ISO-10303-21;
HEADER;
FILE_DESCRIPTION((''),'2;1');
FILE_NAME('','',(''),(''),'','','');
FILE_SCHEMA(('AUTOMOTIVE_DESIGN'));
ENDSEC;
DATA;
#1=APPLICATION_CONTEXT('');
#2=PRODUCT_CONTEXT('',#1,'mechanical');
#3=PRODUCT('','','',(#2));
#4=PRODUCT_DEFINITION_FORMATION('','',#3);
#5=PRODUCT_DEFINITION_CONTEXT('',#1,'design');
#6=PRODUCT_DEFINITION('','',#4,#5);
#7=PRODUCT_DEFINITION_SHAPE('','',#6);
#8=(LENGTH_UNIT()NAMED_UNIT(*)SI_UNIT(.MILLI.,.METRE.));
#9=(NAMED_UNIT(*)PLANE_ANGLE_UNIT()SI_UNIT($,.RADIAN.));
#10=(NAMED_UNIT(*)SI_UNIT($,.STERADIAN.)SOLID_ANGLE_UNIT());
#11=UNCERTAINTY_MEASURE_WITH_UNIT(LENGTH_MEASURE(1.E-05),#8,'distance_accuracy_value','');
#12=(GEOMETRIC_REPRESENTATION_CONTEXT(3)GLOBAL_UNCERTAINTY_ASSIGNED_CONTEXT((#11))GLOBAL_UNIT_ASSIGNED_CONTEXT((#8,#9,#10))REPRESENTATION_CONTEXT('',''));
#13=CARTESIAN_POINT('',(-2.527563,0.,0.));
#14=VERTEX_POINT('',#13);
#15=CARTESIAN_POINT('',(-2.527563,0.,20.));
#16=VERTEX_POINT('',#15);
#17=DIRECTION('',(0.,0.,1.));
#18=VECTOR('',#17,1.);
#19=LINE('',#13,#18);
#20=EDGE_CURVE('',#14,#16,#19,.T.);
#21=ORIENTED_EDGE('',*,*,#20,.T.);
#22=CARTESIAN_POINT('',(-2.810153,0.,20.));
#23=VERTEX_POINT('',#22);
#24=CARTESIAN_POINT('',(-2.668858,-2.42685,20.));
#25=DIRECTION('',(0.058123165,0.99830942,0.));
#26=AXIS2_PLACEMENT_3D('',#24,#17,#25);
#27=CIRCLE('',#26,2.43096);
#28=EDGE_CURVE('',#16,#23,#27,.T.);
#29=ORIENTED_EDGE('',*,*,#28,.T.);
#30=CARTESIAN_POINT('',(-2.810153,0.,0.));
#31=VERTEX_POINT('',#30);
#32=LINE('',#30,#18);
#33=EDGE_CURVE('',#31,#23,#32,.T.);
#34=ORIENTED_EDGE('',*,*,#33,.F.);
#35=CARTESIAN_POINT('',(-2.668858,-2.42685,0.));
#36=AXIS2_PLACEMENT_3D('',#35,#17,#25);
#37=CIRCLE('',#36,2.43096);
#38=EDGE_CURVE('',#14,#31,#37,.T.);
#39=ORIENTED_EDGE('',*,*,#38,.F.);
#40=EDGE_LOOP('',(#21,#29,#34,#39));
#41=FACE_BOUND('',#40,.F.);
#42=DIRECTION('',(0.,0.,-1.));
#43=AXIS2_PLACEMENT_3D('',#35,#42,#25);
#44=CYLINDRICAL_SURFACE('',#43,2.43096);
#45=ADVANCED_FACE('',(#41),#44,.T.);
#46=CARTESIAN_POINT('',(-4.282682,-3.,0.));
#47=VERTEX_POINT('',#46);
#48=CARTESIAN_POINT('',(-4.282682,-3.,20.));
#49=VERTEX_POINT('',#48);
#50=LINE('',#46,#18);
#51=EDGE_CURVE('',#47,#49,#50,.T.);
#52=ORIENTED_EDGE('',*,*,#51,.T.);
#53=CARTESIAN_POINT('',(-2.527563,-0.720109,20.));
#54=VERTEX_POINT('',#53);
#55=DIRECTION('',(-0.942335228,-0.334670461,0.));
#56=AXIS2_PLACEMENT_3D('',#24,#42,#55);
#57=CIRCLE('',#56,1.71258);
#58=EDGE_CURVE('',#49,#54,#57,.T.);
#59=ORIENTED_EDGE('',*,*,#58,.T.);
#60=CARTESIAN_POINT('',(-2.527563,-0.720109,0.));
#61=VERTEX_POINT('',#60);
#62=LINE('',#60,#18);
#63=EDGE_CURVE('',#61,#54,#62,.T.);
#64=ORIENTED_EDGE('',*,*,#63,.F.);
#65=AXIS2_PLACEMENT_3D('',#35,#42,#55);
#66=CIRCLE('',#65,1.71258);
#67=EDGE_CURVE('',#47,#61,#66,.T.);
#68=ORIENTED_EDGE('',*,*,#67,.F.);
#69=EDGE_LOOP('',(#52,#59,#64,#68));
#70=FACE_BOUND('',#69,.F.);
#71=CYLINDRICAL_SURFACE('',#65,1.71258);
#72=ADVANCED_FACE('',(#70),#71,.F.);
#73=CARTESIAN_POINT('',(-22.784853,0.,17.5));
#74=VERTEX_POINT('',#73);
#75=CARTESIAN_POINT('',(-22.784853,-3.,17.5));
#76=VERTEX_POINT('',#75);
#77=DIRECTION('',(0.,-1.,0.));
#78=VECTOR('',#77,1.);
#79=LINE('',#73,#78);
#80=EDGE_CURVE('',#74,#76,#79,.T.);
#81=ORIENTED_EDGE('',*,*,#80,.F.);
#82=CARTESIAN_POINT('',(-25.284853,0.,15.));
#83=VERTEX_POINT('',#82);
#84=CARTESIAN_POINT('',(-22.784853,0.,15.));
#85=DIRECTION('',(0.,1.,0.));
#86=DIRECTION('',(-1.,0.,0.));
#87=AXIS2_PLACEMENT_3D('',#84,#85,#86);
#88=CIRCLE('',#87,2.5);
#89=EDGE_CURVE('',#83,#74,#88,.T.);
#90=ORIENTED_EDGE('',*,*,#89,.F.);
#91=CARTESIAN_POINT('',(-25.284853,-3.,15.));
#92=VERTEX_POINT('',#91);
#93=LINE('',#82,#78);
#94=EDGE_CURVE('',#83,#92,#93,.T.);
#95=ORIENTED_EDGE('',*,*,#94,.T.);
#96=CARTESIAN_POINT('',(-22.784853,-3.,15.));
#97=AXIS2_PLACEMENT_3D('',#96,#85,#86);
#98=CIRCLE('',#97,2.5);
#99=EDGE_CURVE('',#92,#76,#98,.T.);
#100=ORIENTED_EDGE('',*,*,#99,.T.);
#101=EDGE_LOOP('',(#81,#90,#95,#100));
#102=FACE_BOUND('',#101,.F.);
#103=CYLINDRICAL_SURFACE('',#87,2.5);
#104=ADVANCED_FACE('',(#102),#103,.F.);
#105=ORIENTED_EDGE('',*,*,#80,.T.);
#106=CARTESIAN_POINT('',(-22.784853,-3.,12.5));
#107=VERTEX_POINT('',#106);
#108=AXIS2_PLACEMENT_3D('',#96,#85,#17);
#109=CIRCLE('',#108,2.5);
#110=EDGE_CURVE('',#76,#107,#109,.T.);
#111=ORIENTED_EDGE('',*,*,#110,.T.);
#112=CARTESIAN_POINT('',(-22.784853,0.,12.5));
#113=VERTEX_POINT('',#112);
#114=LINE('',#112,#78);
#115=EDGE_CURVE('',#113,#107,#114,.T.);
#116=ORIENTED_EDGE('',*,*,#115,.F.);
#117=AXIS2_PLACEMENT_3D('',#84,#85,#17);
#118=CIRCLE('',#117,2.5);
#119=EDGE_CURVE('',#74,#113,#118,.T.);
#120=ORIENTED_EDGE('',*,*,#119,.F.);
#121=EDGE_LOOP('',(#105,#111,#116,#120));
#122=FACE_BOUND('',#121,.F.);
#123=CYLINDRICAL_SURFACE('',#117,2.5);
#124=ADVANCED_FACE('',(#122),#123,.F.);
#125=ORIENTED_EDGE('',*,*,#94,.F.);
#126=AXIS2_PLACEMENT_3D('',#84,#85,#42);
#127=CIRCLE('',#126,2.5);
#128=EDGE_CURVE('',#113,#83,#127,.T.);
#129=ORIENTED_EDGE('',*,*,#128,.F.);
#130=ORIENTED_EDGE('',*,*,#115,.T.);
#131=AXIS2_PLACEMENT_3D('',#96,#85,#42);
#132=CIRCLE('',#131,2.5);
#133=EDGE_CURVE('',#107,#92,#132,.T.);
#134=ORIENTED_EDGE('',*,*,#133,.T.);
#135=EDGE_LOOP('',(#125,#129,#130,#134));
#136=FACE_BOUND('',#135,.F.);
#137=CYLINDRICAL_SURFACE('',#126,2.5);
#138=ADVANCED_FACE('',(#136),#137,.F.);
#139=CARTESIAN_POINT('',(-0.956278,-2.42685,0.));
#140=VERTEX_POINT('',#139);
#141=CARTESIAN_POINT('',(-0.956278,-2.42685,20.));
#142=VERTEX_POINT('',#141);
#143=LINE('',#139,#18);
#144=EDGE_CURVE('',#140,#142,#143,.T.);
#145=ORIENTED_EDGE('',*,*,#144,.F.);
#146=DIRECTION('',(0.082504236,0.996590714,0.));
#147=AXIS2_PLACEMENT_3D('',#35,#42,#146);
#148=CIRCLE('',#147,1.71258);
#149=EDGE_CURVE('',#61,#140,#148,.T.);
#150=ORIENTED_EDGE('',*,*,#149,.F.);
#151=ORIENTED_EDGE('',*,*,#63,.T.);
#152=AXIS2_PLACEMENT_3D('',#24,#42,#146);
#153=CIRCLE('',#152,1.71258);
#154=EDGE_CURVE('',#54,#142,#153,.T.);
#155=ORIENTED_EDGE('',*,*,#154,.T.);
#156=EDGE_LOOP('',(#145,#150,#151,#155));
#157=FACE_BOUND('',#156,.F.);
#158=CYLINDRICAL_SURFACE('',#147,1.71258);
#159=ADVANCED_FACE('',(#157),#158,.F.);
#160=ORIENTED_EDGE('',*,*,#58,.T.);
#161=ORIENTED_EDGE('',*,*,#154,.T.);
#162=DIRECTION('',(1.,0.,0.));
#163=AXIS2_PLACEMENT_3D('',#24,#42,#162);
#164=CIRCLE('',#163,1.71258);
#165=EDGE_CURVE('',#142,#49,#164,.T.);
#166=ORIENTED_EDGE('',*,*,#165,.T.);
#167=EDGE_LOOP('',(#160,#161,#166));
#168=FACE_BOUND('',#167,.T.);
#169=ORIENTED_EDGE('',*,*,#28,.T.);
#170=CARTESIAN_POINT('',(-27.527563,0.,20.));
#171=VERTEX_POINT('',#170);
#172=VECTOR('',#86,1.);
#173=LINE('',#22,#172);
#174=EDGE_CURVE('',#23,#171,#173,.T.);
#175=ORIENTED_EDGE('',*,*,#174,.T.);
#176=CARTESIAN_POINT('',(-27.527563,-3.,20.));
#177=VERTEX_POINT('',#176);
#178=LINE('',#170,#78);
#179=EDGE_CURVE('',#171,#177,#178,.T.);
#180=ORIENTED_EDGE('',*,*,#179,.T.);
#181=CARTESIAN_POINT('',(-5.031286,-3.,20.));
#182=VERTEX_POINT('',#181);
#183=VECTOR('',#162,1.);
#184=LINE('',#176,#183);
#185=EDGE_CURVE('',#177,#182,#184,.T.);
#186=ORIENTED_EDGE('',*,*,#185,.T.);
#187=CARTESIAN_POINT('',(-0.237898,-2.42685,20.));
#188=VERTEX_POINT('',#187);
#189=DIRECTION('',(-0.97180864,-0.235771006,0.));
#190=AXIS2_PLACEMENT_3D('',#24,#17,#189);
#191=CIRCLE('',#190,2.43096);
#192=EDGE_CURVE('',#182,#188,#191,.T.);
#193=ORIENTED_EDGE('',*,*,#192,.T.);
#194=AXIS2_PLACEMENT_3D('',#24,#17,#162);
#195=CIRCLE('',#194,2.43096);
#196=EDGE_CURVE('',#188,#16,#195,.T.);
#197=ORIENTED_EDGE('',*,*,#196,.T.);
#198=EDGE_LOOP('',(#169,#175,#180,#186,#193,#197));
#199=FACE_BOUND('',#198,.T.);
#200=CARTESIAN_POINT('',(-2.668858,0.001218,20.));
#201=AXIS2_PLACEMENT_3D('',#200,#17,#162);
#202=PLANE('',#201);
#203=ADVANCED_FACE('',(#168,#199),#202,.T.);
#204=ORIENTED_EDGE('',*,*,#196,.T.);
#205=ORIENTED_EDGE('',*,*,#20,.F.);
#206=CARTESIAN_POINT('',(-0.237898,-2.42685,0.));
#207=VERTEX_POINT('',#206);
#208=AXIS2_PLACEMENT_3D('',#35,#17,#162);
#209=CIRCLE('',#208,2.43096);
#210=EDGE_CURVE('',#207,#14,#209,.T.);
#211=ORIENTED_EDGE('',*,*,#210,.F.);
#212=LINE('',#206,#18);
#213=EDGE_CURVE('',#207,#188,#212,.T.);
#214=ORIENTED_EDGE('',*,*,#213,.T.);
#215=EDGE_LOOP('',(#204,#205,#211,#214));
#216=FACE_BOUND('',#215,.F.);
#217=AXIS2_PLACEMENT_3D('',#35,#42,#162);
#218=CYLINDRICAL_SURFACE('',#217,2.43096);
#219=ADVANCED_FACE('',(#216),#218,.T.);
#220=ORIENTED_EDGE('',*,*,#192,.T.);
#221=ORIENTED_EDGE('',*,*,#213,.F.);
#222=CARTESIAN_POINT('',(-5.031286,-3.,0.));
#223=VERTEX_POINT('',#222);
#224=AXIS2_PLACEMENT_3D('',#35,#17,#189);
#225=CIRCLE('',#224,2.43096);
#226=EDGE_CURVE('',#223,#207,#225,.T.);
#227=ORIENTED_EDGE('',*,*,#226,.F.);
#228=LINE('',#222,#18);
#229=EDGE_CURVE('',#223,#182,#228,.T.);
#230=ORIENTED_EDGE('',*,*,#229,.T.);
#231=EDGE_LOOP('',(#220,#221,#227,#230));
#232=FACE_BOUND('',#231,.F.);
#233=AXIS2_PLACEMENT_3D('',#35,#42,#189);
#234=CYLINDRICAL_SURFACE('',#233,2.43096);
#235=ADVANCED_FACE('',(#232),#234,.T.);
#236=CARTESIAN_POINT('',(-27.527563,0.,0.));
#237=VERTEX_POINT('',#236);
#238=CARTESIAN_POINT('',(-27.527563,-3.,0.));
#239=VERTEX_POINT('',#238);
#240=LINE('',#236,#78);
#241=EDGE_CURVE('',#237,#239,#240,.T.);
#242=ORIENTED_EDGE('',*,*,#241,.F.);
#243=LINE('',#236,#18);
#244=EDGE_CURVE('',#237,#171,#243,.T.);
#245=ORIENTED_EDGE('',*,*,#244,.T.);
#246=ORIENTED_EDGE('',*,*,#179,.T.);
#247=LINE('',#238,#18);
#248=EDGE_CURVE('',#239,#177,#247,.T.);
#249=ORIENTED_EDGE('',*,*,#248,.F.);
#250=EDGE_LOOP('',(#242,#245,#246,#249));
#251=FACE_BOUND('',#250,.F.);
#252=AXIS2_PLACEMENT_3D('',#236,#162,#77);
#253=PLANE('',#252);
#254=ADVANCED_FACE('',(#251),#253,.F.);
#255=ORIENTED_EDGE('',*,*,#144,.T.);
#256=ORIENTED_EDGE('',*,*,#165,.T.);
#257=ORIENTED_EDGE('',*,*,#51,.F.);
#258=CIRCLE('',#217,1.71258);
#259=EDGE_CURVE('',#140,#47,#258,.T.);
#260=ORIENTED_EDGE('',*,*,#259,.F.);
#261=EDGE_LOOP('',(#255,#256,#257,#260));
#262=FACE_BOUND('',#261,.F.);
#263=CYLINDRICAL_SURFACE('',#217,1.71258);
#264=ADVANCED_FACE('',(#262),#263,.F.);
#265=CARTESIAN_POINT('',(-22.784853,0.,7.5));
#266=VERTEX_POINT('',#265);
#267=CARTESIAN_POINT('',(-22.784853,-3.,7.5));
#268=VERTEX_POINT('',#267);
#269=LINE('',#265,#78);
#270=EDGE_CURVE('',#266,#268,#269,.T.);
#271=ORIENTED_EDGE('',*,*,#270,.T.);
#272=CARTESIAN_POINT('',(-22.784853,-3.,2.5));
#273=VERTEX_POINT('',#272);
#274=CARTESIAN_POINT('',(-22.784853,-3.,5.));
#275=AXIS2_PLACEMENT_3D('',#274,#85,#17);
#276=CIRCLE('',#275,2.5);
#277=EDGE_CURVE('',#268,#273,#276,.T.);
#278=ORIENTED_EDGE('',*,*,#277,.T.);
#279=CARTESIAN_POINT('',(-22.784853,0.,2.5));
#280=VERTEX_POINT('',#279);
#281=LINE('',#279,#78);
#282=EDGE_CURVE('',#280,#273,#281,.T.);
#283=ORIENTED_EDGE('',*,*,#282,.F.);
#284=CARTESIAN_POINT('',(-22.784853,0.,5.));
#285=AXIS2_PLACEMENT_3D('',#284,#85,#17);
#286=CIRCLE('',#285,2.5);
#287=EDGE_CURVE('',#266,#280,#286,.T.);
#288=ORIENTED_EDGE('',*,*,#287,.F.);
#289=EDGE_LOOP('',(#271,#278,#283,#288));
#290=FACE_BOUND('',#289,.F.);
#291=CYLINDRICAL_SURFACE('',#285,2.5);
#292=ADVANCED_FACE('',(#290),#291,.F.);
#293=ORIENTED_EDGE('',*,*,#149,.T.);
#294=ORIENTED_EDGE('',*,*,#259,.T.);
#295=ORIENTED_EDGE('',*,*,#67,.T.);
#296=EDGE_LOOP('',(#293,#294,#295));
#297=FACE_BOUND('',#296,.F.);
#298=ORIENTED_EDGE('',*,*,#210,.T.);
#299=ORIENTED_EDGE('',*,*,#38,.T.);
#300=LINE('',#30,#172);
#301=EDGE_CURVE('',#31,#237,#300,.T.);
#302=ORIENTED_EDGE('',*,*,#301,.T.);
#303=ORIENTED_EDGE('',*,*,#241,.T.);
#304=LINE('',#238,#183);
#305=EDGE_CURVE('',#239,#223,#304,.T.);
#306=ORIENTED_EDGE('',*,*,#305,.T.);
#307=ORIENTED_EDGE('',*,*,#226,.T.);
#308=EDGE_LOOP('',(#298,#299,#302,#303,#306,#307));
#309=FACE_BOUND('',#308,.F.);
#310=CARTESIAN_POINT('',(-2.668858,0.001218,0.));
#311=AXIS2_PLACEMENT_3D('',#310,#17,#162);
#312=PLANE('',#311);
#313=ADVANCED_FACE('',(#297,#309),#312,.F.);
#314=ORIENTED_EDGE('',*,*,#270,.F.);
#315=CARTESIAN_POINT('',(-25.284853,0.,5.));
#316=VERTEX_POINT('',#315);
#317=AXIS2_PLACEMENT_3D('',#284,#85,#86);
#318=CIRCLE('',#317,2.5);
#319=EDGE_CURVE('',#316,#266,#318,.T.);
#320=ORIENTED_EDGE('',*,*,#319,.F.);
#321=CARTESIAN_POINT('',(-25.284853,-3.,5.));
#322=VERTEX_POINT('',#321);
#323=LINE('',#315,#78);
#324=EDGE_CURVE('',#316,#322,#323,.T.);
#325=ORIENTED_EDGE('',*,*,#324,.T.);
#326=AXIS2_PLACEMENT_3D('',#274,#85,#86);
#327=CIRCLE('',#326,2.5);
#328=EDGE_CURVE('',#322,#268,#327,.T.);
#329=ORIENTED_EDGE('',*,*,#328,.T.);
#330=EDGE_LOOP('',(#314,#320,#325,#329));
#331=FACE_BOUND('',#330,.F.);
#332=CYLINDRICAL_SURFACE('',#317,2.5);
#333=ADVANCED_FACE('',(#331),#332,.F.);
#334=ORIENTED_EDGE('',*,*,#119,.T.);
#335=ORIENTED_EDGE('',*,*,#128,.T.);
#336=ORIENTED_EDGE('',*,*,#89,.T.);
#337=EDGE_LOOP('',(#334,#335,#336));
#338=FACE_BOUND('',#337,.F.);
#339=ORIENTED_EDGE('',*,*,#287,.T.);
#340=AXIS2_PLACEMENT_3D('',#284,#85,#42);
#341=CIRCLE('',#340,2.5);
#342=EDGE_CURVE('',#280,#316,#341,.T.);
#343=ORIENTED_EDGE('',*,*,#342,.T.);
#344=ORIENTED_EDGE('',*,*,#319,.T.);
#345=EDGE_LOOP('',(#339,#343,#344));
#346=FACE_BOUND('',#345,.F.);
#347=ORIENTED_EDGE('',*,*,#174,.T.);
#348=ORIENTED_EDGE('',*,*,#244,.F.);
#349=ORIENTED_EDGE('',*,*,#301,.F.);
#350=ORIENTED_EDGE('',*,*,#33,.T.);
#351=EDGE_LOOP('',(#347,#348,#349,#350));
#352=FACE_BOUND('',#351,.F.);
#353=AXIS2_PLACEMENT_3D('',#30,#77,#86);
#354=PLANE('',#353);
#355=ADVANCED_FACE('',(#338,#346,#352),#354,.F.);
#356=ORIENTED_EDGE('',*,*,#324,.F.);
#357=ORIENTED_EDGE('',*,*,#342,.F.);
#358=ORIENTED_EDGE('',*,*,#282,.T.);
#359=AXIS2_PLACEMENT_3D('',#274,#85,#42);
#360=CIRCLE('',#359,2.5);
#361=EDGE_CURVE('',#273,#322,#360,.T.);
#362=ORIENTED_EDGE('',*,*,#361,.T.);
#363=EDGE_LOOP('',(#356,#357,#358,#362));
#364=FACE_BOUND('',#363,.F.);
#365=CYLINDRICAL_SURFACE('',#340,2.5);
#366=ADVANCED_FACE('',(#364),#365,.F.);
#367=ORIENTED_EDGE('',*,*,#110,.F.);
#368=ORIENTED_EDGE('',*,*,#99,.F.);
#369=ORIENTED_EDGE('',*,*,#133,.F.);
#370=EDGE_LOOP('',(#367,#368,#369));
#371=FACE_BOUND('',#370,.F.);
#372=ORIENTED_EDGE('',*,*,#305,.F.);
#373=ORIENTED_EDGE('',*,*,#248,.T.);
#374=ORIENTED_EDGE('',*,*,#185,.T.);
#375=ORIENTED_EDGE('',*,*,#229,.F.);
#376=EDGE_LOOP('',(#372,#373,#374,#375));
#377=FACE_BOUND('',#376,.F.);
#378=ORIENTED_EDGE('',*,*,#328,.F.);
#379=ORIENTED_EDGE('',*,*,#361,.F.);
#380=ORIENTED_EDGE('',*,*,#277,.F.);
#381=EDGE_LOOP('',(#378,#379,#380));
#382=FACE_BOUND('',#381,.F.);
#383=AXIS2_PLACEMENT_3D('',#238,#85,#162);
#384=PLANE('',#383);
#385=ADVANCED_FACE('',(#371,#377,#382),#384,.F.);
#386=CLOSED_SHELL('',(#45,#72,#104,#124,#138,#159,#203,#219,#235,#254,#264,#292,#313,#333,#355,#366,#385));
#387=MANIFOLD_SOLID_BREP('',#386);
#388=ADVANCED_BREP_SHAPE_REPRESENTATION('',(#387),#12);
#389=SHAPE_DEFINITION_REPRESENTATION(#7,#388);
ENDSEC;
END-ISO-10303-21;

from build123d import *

# Parameters (mm, degrees)
F1_DEPTH = 20
F3_DEPTH = 25
F4_DEPTH = 25


with BuildPart() as f1:
    # F0 (on Top) → F1 (new body)
    with BuildSketch(Plane.XY):
        with BuildLine():
            ThreePointArc((-2.5275626504, 0), (-2.6688577349, 0.0041097327), (-2.8101528193, 0))
            Line((-2.8101528193, 0), (-2.5275626504, 0))
        make_face()
        with BuildLine():
            ThreePointArc((-0.2378978583, -2.4268501438), (-0.900659697, -0.7586050718), (-2.5275626504, 0))
            Line((-2.5275626504, 0), (-2.5275626504, -0.7201090608))
            ThreePointArc((-2.5275626504, -0.7201090608), (-1.4089155682, -1.2669039546), (-0.9562779775, -2.4268501438))
            ThreePointArc((-0.9562779775, -2.4268501438), (-2.3780599484, -4.1145604485), (-4.2826819718, -3))
            Line((-4.2826819718, -3), (-5.0312855462, -3))
            ThreePointArc((-5.0312855462, -3), (-2.3802414664, -4.8406161994), (-0.2378978583, -2.4268501438))
        make_face()
        with BuildLine():
            Line((-2.5275626504, 0), (-2.8101528193, 0))
            ThreePointArc((-2.8101528193, 0), (-4.6226123471, -0.9803340406), (-5.0312855462, -3))
            Line((-5.0312855462, -3), (-4.2826819718, -3))
            ThreePointArc((-4.2826819718, -3), (-4.0258990754, -1.3821644373), (-2.5275626504, -0.7201090608))
            Line((-2.5275626504, -0.7201090608), (-2.5275626504, 0))
        make_face()
        with BuildLine():
            Line((-2.8101528193, 0), (-27.5275626504, 0))
            Line((-27.5275626504, 0), (-27.5275626504, -3))
            Line((-27.5275626504, -3), (-5.0312855462, -3))
            ThreePointArc((-5.0312855462, -3), (-4.6226123471, -0.9803340406), (-2.8101528193, 0))
        make_face()
    extrude(amount=F1_DEPTH)

    # F2 (on face) → F3 (cut)
    with BuildSketch(Plane(origin=(0, 0, 0), x_dir=(-1, 0, 0), z_dir=(0, 1, 0))):
        with BuildLine():
            Line((22.7848533541, 5), (22.7848533541, 2.5))
            ThreePointArc((22.7848533541, 2.5), (24.5526203071, 3.232233047), (25.2848533541, 5))
            ThreePointArc((25.2848533541, 5), (24.5526203071, 6.767766953), (22.7848533541, 7.5))
            Line((22.7848533541, 7.5), (22.7848533541, 5))
        make_face()
        with BuildLine():
            Line((22.7848533541, 15), (22.7848533541, 12.5))
            ThreePointArc((22.7848533541, 12.5), (24.5526203071, 13.232233047), (25.2848533541, 15))
            ThreePointArc((25.2848533541, 15), (24.5526203071, 16.767766953), (22.7848533541, 17.5))
            Line((22.7848533541, 17.5), (22.7848533541, 15))
        make_face()
        with BuildLine():
            ThreePointArc((22.7848533541, 17.5), (20.2848533541, 15), (22.7848533541, 12.5))
            Line((22.7848533541, 12.5), (22.7848533541, 15))
            Line((22.7848533541, 15), (22.7848533541, 17.5))
        make_face()
    extrude(amount=-F3_DEPTH, mode=Mode.SUBTRACT)

    # F2 (on face) → F4 (cut)
    with BuildSketch(Plane(origin=(0, 0, 0), x_dir=(-1, 0, 0), z_dir=(0, 1, 0))):
        with BuildLine():
            ThreePointArc((22.7848533541, 7.5), (20.2848533541, 5), (22.7848533541, 2.5))
            Line((22.7848533541, 2.5), (22.7848533541, 5))
            Line((22.7848533541, 5), (22.7848533541, 7.5))
        make_face()
    extrude(amount=-F4_DEPTH, mode=Mode.SUBTRACT)


solid = f1.part
